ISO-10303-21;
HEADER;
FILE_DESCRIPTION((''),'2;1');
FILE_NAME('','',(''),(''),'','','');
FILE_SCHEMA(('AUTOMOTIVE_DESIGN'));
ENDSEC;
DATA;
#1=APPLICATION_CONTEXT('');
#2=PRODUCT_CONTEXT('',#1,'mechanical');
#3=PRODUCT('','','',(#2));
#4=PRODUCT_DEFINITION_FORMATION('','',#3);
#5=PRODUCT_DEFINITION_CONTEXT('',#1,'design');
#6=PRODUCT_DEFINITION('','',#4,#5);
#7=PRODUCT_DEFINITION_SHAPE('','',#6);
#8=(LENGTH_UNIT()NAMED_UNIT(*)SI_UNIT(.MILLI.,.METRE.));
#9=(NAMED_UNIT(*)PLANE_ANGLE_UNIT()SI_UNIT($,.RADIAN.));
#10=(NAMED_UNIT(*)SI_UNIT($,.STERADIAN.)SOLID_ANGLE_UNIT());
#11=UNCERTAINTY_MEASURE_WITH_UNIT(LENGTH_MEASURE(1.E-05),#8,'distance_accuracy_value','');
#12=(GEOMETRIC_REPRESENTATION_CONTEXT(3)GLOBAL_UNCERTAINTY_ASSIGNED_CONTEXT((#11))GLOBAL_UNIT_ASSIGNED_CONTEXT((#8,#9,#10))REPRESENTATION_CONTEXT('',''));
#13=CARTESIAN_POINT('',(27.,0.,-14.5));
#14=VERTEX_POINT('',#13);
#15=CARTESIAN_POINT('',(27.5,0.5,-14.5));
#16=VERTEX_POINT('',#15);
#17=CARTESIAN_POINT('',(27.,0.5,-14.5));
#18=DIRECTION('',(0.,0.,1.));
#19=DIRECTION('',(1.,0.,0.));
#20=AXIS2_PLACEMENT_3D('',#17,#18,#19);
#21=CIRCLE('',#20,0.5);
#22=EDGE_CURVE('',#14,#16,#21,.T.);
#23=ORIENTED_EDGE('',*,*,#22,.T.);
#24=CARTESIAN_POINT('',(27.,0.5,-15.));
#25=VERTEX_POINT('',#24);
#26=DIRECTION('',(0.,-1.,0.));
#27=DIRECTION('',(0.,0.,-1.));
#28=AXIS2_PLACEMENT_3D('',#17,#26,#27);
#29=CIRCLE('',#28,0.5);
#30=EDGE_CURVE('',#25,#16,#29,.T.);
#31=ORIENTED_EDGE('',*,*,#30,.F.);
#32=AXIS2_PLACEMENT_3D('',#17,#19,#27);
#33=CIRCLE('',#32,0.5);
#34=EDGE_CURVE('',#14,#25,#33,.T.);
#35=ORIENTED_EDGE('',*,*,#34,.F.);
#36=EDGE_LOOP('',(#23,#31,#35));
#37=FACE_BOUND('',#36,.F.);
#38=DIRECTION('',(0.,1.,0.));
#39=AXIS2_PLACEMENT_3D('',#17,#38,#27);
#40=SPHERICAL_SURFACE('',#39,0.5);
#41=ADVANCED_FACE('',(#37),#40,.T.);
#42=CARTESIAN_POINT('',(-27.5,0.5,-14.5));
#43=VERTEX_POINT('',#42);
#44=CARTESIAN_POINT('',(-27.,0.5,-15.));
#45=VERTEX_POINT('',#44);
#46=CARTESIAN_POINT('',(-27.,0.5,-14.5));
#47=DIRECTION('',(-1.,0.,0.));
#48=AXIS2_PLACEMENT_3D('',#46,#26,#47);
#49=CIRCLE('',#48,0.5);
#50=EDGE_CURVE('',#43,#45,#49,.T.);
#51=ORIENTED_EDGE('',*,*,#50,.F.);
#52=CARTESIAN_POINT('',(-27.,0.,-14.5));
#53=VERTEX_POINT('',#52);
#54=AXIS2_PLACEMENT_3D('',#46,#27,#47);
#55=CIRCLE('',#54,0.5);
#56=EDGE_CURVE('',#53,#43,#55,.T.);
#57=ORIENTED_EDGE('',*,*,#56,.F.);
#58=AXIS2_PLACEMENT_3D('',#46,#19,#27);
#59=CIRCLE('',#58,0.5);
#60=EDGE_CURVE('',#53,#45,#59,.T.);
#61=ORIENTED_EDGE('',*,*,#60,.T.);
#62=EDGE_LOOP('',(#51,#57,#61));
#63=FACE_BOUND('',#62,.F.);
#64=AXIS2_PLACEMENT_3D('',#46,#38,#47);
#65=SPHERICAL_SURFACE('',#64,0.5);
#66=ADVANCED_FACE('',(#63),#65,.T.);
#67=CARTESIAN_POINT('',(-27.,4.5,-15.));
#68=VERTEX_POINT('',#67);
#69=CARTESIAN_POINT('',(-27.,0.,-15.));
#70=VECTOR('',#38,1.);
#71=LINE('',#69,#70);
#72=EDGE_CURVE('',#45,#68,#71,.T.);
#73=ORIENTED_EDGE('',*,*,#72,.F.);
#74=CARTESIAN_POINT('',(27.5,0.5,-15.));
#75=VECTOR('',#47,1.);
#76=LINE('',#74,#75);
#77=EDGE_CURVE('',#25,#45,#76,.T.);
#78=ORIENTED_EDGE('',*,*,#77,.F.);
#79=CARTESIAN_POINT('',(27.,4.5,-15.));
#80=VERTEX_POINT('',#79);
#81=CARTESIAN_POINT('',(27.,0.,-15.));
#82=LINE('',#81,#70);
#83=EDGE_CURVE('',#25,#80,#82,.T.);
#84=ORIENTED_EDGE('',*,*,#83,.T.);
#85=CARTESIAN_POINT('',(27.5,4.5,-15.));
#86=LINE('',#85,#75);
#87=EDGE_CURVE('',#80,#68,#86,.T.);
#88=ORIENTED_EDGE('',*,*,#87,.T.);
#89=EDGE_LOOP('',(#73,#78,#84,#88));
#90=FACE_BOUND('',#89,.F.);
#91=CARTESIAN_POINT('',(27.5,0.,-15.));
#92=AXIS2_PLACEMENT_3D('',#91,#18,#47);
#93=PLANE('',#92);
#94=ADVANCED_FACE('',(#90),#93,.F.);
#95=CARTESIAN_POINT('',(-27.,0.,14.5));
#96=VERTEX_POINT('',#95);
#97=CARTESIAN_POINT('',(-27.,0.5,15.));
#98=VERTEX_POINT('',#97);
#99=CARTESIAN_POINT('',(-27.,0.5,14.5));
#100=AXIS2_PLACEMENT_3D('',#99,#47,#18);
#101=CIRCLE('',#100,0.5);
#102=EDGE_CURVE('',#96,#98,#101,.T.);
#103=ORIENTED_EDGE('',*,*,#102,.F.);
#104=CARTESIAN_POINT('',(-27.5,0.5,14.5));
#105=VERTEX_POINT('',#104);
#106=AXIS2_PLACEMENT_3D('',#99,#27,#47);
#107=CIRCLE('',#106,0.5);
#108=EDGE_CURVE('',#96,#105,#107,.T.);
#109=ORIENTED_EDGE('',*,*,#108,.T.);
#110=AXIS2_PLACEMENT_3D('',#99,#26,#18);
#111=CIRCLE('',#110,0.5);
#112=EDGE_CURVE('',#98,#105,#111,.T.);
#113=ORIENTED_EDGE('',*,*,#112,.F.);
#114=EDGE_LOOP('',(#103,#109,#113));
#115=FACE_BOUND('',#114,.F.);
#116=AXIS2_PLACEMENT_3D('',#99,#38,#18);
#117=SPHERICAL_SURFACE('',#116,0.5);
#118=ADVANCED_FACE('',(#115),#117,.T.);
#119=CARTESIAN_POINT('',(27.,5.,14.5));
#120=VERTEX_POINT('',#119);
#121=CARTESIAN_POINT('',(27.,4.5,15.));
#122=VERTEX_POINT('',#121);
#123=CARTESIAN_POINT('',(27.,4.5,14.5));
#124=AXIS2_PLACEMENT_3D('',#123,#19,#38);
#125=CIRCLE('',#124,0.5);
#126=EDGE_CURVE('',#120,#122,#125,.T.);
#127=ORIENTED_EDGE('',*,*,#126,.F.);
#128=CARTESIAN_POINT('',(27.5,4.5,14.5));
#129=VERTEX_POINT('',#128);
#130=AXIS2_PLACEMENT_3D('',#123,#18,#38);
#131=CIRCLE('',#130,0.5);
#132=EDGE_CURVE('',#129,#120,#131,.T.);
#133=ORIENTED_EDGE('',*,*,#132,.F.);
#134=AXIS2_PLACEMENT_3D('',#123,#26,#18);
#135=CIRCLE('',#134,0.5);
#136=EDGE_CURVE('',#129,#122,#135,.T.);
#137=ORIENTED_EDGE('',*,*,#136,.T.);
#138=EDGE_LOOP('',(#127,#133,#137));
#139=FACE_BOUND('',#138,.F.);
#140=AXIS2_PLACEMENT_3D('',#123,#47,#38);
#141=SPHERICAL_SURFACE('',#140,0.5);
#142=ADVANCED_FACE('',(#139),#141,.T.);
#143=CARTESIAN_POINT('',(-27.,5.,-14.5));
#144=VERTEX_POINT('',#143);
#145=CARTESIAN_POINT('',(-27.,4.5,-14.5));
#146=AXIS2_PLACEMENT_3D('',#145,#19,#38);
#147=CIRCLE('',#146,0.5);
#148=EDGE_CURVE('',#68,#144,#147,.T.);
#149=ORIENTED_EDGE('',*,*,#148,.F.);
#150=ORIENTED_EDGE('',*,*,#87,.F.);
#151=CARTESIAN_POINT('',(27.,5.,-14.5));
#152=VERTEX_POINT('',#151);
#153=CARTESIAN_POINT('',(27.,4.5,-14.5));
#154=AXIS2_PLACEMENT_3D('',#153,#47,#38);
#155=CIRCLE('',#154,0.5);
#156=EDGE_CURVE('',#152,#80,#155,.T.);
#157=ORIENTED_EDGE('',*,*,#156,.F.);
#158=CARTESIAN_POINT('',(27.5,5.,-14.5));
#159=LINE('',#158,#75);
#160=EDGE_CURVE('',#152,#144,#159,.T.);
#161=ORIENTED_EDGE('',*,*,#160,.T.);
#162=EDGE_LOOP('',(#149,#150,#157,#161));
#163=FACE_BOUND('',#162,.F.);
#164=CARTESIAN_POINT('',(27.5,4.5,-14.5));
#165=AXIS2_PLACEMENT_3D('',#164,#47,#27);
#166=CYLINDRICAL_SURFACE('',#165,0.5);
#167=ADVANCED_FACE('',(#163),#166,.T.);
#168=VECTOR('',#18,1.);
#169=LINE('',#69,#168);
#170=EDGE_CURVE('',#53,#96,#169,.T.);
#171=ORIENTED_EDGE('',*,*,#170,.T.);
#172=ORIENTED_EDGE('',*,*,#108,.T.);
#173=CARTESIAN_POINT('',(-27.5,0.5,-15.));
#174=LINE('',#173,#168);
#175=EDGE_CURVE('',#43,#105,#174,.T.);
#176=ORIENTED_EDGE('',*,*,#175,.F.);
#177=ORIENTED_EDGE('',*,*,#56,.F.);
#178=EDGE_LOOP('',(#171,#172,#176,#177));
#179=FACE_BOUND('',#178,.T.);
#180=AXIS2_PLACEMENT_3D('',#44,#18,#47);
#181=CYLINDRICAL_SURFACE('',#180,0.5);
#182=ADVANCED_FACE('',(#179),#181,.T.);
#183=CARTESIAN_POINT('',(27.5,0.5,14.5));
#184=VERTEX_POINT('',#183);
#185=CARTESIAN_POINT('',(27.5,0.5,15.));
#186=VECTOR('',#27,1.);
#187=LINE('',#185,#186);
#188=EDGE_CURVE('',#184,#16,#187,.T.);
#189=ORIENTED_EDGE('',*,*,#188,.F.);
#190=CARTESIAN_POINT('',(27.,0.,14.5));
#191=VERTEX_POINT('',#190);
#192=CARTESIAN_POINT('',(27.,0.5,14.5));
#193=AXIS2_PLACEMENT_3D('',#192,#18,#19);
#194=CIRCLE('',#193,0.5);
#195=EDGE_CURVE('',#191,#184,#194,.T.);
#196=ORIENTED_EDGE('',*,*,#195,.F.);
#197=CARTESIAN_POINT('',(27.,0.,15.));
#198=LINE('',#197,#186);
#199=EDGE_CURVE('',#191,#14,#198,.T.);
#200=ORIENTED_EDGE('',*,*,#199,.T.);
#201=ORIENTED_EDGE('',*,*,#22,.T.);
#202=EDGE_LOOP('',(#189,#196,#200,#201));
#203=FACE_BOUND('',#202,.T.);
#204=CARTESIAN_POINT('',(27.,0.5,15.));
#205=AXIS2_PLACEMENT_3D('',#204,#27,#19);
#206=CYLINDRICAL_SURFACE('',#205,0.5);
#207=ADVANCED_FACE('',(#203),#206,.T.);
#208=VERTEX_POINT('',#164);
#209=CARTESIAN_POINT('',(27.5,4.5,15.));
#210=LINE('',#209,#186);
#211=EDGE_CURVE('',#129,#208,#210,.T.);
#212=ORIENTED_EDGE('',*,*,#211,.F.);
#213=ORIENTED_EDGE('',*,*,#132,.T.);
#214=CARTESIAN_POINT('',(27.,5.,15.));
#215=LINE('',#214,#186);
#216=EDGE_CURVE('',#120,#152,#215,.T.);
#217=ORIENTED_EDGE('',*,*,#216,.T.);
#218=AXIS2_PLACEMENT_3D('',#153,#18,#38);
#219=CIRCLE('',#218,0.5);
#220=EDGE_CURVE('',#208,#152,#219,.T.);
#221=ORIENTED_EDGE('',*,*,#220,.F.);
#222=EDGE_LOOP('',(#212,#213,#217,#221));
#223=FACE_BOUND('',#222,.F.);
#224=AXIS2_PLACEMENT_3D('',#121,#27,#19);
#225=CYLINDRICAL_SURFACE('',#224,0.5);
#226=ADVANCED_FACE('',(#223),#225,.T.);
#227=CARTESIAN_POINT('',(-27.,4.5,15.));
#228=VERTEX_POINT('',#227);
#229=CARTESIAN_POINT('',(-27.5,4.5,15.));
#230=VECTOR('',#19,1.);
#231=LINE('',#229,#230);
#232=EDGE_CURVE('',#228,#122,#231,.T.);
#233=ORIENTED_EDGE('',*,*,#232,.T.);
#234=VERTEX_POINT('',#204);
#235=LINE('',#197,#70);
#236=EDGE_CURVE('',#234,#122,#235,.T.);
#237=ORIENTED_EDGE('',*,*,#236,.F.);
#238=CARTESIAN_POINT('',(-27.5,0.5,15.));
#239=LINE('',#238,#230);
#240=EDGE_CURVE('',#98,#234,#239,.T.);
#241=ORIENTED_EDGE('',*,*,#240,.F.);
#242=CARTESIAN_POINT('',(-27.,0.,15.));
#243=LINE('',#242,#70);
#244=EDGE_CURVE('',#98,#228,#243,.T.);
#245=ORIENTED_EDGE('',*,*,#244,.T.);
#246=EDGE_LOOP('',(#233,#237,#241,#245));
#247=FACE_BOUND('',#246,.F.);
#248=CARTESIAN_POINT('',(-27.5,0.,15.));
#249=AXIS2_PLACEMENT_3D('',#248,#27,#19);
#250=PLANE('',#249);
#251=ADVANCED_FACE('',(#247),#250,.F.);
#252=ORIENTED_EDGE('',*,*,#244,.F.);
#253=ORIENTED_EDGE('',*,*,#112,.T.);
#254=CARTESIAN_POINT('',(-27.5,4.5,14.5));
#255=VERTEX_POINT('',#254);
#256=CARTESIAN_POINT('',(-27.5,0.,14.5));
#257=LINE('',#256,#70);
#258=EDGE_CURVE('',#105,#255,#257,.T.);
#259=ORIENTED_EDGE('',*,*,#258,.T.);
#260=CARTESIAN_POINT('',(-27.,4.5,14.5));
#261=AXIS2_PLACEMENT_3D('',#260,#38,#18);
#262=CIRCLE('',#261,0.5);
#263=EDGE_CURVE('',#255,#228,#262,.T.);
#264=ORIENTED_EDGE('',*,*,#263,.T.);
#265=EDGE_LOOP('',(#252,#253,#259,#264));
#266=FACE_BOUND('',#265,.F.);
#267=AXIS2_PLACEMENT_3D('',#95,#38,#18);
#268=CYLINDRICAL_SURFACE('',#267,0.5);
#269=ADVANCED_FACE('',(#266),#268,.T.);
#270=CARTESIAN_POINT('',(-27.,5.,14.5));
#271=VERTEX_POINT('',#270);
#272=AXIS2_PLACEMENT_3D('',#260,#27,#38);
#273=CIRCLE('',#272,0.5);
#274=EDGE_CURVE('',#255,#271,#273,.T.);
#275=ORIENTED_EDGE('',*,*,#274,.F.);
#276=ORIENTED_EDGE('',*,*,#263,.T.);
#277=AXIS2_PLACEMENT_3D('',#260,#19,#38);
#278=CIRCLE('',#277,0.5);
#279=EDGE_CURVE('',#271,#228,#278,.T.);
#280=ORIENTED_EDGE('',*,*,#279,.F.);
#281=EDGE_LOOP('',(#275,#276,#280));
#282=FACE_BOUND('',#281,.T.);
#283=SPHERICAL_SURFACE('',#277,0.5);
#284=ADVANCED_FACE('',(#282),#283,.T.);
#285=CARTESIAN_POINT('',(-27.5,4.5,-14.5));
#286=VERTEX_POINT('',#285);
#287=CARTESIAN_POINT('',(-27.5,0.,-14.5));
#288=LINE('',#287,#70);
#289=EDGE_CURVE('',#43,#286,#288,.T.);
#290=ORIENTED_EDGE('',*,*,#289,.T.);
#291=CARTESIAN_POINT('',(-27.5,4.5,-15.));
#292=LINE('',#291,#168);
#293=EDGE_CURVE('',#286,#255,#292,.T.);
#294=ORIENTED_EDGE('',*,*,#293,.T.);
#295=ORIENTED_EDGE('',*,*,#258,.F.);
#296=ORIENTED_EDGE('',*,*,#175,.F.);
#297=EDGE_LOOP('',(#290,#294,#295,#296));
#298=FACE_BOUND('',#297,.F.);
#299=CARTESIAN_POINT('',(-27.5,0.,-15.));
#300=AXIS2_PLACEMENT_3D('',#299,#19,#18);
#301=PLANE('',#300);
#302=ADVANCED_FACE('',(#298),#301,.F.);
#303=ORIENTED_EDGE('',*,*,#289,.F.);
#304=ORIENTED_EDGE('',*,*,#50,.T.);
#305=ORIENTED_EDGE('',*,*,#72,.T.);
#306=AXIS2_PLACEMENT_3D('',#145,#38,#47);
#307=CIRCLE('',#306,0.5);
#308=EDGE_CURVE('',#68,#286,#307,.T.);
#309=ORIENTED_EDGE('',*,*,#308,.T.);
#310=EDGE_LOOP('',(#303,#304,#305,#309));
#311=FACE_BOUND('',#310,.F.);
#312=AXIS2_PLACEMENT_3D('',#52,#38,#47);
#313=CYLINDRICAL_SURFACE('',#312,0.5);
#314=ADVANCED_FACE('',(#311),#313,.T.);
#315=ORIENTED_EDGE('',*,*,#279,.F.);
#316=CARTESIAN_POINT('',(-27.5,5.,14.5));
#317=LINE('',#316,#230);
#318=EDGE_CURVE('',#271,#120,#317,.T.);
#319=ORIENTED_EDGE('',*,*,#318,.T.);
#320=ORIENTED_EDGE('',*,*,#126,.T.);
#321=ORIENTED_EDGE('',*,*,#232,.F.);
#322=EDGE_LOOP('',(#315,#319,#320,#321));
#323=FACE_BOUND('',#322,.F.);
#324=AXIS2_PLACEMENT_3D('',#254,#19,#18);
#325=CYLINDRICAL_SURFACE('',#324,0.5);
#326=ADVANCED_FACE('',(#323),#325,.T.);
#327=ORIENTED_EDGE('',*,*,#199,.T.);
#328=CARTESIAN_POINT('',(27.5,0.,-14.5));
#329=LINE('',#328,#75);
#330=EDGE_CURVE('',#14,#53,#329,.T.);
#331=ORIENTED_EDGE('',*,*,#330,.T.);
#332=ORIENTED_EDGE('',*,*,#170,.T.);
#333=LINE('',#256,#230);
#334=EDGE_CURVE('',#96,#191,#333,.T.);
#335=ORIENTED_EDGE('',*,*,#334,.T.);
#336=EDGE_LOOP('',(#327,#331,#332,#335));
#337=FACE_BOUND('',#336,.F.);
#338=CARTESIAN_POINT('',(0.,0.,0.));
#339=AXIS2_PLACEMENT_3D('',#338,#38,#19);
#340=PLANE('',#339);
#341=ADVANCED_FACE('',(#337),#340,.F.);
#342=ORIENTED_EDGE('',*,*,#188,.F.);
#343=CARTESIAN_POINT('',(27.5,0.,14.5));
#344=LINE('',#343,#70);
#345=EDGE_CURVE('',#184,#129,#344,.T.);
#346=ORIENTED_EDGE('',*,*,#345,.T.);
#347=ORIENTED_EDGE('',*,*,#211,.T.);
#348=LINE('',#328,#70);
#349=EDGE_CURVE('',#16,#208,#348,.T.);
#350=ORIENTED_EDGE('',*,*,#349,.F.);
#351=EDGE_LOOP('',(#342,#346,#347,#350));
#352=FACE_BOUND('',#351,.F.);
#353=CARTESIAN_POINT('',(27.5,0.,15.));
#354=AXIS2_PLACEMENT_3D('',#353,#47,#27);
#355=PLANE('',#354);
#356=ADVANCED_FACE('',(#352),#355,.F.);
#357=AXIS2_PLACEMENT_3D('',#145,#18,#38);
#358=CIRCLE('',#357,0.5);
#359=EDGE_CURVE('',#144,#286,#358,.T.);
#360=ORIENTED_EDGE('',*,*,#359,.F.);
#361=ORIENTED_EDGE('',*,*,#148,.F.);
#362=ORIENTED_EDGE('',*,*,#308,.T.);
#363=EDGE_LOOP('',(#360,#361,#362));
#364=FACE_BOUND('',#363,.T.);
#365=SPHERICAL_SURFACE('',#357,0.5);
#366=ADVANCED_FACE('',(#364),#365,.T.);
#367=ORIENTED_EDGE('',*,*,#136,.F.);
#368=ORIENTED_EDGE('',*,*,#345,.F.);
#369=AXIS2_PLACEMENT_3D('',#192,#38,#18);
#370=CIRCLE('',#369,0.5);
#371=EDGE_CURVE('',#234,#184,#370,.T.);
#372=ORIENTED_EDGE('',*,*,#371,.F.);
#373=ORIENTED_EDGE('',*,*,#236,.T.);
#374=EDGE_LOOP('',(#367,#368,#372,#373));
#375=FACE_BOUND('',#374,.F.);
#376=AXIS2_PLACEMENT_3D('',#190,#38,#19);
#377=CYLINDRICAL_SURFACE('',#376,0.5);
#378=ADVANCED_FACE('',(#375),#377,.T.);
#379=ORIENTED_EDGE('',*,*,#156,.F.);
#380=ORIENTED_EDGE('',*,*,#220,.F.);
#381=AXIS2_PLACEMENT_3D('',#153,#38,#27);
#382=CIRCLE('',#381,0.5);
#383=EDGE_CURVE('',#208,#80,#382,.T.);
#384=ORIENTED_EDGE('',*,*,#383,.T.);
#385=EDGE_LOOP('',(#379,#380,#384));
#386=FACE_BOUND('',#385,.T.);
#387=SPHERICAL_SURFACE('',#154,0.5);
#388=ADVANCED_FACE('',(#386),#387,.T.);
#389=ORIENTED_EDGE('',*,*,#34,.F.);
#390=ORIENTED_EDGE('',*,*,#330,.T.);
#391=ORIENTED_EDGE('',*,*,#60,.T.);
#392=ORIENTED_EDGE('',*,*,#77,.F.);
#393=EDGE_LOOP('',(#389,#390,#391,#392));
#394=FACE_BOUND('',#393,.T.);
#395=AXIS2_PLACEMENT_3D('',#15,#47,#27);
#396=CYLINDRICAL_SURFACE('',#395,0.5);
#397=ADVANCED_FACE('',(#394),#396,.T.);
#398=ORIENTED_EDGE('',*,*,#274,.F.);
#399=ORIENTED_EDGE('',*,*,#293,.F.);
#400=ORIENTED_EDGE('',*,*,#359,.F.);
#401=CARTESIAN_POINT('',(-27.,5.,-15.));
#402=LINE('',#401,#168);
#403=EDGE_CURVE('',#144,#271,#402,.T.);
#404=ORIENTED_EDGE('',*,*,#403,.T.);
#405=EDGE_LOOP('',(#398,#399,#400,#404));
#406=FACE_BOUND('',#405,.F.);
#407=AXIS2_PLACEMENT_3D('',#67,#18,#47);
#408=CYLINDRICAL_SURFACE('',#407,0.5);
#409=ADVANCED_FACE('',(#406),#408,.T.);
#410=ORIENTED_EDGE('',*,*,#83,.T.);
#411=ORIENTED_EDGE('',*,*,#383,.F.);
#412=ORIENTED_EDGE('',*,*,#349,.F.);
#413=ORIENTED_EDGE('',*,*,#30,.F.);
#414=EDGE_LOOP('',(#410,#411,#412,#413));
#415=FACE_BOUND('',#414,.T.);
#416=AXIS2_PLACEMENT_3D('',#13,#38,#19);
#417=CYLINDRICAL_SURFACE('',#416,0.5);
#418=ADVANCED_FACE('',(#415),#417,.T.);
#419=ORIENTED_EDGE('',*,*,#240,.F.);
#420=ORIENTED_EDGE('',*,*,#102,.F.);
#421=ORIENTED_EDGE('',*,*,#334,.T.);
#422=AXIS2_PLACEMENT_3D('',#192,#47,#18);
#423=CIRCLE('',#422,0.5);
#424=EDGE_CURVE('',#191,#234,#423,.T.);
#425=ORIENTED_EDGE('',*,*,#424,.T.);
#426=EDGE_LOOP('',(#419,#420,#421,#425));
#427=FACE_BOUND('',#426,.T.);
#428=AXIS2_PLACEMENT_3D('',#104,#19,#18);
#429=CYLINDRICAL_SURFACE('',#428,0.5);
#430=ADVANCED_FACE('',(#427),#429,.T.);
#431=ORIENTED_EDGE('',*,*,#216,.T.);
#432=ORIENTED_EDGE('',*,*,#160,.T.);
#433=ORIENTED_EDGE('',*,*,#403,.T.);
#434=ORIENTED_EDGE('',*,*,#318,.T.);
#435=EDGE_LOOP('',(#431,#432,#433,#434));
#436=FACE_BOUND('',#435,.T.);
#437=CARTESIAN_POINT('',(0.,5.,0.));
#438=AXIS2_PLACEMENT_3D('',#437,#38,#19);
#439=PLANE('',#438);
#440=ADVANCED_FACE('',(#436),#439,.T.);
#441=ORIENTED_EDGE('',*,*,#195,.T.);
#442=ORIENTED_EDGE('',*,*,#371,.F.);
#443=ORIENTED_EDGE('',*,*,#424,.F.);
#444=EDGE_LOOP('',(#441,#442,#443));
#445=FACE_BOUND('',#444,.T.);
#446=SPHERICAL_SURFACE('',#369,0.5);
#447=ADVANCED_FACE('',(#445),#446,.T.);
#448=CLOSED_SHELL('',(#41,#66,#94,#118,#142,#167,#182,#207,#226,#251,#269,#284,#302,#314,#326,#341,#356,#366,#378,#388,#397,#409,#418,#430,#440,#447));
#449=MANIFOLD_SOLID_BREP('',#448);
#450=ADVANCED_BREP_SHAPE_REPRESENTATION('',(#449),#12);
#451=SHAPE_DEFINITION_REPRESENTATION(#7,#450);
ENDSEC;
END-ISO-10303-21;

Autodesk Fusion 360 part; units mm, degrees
sketch "Sketch1" plane through (0, 0, 0) normal (0, 1, 0) x (1, 0, 0)
  line L0 (27.5, 15) -> (-27.5, 15)
  line L1 (-27.5, 15) -> (-27.5, -15)
  line L2 (-27.5, -15) -> (27.5, -15)
  line L3 (27.5, -15) -> (27.5, 15)
  line L4 (27.5, 15) -> (-27.5, -15) construction
  line L5 (-27.5, 15) -> (27.5, -15) construction
  dimension "d1" = 55
  dimension "d2" = 30
extrude "Extrude1" add sketch "Sketch1" along normal blind 5
fillet "Fillet1" radius 0.5 12 edges at (0, 5, 15) (-27.5, 5, 0) (0, 5, -15) (27.5, 5, 0) (27.5, 2.5, -15) (27.5, 2.5, 15) (-27.5, 2.5, 15) (-27.5, 2.5, -15) (0, 0, 15) (-27.5, 0, 0) (0, 0, -15) (27.5, 0, 0)
